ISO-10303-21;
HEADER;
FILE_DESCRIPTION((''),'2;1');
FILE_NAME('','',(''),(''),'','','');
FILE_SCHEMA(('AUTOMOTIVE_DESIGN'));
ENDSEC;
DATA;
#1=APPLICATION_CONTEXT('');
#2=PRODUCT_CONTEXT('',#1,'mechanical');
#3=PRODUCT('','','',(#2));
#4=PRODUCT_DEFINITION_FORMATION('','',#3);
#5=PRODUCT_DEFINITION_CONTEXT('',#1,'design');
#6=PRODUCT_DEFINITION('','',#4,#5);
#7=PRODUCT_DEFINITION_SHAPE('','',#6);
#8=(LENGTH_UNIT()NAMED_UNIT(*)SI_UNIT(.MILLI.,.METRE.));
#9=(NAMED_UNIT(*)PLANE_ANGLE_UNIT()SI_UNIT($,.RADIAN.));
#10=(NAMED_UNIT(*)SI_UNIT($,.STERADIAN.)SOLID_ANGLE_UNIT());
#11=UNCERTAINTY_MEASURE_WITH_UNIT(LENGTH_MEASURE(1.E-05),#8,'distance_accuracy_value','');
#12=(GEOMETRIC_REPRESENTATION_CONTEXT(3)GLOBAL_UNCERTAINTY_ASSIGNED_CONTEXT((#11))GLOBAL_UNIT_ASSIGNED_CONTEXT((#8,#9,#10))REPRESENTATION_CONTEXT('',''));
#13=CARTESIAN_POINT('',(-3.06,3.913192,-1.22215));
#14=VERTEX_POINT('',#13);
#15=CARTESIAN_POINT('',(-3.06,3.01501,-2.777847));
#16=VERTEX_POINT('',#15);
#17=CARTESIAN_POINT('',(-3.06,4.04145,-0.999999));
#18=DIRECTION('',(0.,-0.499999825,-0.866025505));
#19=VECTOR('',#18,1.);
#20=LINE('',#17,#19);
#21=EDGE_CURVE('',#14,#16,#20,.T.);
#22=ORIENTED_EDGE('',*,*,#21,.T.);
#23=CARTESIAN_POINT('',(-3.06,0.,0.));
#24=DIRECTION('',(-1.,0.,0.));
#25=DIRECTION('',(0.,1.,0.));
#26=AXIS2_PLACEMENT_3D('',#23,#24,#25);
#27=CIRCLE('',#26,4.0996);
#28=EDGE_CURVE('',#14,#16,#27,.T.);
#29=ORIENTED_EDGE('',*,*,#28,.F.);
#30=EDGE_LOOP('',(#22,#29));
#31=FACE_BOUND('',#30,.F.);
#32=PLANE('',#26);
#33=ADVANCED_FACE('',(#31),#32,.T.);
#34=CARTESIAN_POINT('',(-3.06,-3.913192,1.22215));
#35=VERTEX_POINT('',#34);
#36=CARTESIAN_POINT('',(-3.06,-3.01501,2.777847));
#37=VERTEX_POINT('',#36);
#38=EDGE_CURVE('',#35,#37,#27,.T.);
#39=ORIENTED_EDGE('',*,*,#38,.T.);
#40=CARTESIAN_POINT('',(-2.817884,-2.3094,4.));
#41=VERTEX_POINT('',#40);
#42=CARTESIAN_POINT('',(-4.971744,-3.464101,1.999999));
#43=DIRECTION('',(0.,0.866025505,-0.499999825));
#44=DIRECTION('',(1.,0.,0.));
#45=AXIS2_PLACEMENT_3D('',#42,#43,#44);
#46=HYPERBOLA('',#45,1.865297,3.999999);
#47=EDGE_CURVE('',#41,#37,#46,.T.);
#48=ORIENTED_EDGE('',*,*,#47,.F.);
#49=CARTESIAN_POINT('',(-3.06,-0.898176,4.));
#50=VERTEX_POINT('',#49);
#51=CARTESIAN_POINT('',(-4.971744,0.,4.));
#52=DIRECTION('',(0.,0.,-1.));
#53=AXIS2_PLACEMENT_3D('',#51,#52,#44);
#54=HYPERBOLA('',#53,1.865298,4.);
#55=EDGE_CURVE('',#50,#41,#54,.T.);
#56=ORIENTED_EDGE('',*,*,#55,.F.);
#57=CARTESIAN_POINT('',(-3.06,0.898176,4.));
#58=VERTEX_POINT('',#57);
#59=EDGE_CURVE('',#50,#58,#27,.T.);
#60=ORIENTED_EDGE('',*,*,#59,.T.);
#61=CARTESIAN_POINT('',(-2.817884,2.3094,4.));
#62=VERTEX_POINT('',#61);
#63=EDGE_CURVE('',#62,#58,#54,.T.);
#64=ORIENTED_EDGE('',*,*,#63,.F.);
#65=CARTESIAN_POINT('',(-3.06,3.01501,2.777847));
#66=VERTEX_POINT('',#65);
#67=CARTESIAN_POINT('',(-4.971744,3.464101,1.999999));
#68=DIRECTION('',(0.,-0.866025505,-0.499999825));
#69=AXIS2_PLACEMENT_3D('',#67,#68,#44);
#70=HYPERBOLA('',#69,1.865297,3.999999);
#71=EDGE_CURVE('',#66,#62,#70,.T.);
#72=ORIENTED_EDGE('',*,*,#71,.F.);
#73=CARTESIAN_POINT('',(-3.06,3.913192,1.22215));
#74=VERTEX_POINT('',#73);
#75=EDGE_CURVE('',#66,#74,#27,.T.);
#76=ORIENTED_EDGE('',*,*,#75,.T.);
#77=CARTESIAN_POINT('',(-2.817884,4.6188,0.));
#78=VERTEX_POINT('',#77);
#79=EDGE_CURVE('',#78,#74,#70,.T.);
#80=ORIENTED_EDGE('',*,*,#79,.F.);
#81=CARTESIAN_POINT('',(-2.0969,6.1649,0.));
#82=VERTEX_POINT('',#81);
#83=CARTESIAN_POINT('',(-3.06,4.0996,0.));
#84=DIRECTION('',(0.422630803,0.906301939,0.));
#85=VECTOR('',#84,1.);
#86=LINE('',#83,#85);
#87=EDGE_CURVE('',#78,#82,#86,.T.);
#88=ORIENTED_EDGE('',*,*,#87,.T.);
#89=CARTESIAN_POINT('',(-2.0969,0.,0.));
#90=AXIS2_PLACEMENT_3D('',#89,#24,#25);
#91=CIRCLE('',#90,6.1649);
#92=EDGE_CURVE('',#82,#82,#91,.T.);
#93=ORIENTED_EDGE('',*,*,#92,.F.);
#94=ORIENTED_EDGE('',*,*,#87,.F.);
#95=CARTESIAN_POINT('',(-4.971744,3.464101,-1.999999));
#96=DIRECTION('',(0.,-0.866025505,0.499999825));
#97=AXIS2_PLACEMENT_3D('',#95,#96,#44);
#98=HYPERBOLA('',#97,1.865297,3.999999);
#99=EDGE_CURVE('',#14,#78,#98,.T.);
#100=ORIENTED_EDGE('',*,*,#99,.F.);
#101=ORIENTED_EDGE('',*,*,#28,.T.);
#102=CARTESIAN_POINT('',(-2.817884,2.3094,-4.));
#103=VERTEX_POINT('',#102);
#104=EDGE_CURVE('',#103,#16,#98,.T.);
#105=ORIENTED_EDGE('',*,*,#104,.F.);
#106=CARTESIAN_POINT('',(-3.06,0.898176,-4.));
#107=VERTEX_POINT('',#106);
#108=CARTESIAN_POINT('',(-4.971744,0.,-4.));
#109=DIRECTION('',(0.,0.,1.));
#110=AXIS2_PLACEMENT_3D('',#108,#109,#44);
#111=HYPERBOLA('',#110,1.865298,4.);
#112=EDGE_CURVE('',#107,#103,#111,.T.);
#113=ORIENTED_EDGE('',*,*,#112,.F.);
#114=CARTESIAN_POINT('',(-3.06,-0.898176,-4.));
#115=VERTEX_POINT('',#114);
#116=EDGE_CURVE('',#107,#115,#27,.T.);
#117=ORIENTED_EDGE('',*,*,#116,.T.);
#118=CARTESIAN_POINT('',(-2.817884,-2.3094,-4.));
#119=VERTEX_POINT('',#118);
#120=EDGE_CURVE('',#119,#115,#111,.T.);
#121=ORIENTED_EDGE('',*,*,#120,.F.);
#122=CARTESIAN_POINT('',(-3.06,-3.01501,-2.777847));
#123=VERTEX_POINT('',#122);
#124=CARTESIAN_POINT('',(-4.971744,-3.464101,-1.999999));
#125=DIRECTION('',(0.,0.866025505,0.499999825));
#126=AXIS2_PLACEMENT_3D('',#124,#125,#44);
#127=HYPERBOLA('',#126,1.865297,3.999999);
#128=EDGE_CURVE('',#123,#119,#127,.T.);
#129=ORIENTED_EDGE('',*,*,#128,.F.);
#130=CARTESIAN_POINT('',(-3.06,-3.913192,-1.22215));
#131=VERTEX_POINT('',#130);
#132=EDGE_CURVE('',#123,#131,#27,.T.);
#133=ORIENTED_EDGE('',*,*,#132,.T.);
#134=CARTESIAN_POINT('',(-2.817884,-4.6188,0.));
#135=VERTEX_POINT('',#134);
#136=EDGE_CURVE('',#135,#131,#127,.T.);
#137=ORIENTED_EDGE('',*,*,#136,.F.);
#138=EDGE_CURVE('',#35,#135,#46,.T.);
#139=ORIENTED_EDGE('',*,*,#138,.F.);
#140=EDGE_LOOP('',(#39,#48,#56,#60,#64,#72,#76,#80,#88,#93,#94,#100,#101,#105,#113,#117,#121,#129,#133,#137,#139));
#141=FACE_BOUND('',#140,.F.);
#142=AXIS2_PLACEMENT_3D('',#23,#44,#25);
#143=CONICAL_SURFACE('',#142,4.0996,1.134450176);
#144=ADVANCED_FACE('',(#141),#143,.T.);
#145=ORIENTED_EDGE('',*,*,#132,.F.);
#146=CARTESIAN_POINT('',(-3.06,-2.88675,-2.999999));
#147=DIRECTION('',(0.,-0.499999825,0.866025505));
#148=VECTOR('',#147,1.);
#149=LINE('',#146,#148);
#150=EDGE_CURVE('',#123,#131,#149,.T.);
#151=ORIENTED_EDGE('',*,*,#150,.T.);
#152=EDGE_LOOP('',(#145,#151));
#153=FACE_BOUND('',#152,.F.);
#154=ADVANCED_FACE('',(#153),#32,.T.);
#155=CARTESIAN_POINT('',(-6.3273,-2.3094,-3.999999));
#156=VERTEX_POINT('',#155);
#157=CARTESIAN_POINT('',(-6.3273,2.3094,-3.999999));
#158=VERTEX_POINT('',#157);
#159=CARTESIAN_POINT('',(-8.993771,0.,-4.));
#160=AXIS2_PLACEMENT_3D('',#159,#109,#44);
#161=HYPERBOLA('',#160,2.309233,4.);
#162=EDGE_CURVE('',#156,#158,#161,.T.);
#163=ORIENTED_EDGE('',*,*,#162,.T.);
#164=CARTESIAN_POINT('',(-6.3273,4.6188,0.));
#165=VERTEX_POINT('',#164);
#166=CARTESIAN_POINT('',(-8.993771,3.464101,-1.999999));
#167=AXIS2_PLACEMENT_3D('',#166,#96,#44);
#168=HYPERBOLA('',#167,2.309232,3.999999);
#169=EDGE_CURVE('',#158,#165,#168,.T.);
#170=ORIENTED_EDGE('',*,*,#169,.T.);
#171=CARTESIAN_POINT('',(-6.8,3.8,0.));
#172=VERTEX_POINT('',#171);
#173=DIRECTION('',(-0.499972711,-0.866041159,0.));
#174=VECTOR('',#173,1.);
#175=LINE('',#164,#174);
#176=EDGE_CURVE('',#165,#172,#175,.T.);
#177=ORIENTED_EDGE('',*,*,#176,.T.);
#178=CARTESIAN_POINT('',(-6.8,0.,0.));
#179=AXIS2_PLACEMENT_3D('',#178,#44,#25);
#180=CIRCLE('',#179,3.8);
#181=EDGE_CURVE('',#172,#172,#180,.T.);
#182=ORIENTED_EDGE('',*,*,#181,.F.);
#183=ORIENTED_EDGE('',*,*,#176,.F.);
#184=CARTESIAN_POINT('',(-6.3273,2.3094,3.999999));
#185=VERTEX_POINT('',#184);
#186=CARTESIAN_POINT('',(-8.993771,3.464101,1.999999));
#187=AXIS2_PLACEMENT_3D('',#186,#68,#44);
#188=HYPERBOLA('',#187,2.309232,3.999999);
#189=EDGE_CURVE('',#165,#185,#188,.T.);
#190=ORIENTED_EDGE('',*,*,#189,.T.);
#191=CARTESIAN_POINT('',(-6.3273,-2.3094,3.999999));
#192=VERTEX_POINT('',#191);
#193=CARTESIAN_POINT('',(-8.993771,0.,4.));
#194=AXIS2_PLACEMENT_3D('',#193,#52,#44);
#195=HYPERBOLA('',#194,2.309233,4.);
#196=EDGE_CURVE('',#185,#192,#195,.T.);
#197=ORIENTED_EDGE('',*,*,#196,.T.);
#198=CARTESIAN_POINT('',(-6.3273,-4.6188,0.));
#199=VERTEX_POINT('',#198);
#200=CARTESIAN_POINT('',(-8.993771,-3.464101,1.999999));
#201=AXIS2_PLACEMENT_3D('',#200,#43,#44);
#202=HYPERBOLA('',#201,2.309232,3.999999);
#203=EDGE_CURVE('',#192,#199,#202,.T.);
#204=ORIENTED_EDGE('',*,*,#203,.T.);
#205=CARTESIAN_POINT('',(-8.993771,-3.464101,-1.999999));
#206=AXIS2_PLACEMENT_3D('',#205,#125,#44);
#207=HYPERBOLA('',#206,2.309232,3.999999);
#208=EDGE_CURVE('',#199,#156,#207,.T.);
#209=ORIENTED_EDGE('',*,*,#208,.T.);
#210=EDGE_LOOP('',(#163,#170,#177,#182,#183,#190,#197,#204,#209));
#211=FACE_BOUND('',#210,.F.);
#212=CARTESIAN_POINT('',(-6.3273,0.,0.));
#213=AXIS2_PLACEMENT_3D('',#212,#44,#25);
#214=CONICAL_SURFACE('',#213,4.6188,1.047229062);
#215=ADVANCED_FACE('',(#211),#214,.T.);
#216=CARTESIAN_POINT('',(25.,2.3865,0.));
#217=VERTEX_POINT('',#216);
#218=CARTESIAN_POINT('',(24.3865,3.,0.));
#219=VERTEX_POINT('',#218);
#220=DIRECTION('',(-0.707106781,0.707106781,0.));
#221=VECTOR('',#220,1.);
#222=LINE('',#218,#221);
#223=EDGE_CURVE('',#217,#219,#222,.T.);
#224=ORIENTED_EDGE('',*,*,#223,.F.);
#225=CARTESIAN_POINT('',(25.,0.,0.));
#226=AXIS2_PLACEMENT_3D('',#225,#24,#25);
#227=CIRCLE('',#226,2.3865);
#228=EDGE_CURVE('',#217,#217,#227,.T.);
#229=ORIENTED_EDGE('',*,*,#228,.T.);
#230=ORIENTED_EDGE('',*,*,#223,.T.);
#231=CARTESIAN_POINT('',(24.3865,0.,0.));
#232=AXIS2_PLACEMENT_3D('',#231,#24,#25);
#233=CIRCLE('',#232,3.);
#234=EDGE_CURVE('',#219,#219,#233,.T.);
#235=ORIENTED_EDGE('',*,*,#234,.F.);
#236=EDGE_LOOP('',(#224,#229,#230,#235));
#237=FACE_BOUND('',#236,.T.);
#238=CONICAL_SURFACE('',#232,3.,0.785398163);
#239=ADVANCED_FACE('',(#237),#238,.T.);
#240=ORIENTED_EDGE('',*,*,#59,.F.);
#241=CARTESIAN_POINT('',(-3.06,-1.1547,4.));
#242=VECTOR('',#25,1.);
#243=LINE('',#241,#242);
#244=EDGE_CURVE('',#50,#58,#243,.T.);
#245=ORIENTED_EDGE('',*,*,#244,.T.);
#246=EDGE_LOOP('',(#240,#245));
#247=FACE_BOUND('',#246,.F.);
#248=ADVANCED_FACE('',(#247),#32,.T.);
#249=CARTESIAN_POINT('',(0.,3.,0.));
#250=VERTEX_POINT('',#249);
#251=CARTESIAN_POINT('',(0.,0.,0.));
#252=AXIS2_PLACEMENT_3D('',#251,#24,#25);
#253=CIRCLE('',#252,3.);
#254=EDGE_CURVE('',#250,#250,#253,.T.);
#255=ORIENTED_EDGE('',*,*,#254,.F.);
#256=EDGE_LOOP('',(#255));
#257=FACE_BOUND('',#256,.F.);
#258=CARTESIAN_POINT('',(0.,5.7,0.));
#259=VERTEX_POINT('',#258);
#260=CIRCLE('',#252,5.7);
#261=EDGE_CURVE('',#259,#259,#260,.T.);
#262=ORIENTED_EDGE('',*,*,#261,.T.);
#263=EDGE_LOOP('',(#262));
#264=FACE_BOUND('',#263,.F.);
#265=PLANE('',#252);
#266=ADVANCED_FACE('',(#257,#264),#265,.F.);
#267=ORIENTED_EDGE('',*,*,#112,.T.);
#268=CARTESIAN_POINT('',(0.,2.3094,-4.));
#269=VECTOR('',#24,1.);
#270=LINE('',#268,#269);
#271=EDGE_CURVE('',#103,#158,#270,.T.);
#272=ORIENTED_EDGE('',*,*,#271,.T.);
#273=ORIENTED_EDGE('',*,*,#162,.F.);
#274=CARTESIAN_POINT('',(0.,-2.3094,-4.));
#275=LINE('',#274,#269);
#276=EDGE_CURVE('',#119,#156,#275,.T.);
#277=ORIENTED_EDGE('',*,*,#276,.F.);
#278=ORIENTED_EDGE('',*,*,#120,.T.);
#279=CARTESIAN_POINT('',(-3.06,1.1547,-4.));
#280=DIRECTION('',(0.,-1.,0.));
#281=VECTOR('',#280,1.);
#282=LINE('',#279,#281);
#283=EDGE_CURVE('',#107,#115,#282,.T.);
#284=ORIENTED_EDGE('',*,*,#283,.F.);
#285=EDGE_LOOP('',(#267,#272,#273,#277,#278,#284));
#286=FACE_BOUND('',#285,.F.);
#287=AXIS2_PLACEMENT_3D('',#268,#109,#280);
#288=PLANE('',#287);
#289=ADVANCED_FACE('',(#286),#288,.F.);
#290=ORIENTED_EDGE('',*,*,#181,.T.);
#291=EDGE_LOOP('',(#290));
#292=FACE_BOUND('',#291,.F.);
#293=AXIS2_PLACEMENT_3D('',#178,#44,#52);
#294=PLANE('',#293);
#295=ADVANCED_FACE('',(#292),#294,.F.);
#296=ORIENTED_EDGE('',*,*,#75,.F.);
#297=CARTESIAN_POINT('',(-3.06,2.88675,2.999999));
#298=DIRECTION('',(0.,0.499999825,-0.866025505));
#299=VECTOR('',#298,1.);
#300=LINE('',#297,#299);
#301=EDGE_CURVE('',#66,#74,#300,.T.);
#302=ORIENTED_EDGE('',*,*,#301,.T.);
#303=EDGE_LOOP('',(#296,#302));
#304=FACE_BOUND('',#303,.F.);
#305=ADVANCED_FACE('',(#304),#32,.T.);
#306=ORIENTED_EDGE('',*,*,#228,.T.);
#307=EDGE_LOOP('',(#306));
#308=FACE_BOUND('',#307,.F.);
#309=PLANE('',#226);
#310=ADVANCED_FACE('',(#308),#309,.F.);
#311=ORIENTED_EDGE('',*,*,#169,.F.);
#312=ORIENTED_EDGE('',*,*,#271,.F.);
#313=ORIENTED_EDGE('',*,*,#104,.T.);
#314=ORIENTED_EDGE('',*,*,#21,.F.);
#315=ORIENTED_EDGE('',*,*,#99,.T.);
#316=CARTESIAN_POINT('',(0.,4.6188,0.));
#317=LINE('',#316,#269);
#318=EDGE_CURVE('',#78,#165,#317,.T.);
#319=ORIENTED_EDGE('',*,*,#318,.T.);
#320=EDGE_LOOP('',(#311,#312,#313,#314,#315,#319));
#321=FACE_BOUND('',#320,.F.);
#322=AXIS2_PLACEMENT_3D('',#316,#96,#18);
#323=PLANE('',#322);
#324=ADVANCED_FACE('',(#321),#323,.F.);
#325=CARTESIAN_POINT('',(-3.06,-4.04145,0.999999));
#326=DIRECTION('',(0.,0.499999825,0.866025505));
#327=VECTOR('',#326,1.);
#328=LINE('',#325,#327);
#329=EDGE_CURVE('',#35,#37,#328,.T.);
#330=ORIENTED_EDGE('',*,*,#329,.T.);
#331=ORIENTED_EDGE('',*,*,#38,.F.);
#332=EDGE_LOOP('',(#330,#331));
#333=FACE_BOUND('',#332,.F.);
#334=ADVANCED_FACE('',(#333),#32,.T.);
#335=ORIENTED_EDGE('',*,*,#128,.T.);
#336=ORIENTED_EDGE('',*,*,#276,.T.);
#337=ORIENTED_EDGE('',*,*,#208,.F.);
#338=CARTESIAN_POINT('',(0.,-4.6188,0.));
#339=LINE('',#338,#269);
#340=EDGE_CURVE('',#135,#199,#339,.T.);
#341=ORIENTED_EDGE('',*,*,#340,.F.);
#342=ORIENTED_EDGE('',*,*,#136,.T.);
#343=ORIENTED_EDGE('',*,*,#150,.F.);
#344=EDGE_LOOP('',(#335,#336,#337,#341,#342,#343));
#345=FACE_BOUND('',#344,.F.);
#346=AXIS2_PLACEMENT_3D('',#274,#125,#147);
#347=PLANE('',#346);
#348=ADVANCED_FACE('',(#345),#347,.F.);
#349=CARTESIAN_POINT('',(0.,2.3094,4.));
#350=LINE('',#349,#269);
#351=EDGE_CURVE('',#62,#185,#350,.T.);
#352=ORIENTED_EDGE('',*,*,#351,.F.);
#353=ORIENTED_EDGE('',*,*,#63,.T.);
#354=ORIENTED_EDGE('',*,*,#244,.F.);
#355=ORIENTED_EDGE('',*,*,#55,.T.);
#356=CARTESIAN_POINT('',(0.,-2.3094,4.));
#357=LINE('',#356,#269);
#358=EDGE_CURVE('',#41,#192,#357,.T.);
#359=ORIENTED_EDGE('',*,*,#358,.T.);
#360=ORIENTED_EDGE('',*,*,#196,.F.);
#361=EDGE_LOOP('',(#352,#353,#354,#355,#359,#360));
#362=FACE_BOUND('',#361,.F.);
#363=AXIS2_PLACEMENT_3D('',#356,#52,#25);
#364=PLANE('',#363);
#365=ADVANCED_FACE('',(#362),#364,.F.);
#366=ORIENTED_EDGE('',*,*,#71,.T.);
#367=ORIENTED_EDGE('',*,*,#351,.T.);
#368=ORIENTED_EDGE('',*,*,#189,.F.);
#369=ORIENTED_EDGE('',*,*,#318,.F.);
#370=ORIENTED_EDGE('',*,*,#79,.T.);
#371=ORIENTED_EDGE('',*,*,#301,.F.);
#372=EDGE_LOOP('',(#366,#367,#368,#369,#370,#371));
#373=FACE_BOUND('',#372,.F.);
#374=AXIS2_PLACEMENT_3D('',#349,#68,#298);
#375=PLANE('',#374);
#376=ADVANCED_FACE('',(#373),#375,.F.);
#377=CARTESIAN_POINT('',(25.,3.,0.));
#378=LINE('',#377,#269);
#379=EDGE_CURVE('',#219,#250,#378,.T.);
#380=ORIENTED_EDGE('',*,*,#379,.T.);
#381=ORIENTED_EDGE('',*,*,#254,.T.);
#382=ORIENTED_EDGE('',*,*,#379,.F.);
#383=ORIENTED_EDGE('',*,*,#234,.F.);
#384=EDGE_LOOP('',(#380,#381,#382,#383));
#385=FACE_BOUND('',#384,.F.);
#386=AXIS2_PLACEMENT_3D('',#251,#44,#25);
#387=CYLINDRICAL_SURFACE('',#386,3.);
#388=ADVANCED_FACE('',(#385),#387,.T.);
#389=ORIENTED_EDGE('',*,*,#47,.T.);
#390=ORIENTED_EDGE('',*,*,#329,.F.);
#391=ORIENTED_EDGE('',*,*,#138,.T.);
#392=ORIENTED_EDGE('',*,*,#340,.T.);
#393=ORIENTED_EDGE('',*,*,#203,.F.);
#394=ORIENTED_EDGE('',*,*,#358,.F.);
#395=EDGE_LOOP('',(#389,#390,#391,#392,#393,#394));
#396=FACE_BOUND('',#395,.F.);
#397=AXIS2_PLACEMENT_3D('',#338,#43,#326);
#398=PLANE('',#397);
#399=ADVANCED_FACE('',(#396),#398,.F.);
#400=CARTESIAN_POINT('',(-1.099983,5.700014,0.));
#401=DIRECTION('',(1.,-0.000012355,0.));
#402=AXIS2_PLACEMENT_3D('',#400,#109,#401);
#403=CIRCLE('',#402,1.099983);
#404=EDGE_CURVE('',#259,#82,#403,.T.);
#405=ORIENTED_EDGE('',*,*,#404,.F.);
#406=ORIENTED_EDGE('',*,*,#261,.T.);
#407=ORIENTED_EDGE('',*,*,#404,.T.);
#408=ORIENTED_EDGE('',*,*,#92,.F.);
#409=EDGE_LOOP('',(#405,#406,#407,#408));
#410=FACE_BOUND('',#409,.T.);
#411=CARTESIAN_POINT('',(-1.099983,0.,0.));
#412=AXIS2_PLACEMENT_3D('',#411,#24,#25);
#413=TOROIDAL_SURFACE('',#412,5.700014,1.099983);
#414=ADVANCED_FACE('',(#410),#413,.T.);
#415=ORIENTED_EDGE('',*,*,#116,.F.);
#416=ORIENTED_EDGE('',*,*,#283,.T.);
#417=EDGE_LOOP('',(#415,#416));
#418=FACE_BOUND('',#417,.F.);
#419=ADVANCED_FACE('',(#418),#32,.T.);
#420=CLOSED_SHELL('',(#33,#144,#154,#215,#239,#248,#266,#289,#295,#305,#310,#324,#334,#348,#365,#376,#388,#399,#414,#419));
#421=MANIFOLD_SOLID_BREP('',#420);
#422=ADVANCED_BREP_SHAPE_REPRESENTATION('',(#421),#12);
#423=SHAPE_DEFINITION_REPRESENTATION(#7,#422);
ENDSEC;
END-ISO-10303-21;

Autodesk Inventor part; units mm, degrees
ref_plane "YZ Plane" through (0, 0, 0) normal (1, 0, 0) x (0, 1, 0)
ref_plane "XZ Plane" through (0, 0, 0) normal (0, 1, 0) x (-1, 0, 0)
sketch "Sketch1" plane through (0, 0, 0) normal (0, 0, 1) x (1, 0, 0)
  line L0 (-3.06, 0) -> (-3.06, 4.0996)
  line L1 (0, 5.7) -> (0, 3)
  line L2 (7, 3) -> (25, 3)
  line L3 (25, 3) -> (25, 0)
  line L4 (25, 0) -> (-3.06, 0)
  arc A0 (0, 5.7) -> (-2.0969, 6.1649) centre (-1.1, 5.7) ccw
  line L5 (0, -1.4013) -> (0, 8.4076) projected
  line L6 (-9.672, 0) -> (36.612, 0) projected
  line L7 (0, 3) -> (0.0001, 3)
  line L8 (0.0001, 3) -> (0.0001, 3)
  line L9 (0.0001, 3) -> (6.3865, 3)
  line L10 (6.3865, 3) -> (7, 3)
  line L11 (-3.06, 4.0996) -> (-2.0969, 6.1649)
  line L12 (0.0001, 3) -> (7, 3) construction
  line L13 (7, 3) -> (7, 0) construction
  dimension "d0" = 1.1
  dimension "d1" = 25
  dimension "d2" = 18
  dimension "d3" = 13.6
  dimension "d4" = 6
  dimension "d5" = 3.06
  dimension "d15" = 6
  dimension "d16" = 6
  dimension "d17" = 0.0001
  dimension "d18" = 0.6135
  dimension "d19" = 25
revolve "Body" add sketch "Sketch1" angle 360 about axis through (25, 0, 0) along (-1, 0, 0)
sketch "Sketch2" plane through (0, 0, 0) normal (1, 0, 0) x (0, 0, -1)
  line L0 (4, 2.3094) -> (4, -2.3094)
  line L1 (4, -2.3094) -> (0, -4.6188)
  line L2 (0, -4.6188) -> (-4, -2.3094)
  line L3 (-4, -2.3094) -> (-4, 2.3094)
  line L4 (-4, 2.3094) -> (0, 4.6188)
  line L5 (0, 4.6188) -> (4, 2.3094)
  point P0 (0, 0)
  point P1 (0, 0)
  dimension "d23" = 8
extrude "Head" add sketch "Sketch2" against normal blind 6.8
sketch "Sketch3" plane through (0, 0, 0) normal (0, 0, 1) x (1, 0, 0)
  line L0 (-6.8, 3.8) -> (-6.8, 4.6188)
  line L1 (-6.8, 4.6188) -> (-6.3273, 4.6188)
  line L2 (-6.3273, 4.6188) -> (-6.8, 3.8)
  line L3 (-7.5964, 0) -> (-2.0215, 0) projected
  line L4 (-6.8, 4.6188) -> (-6.8, 2.3094) projected
  line L5 (-2.8179, 4.6188) -> (-6.8, 4.6188) projected
  point P0 (-6.8, 2.3094)
  dimension "d8" = 30
  dimension "d22" = 7.6
revolve "Chamfer1" cut sketch "Sketch3" angle 360 about axis through (-10, 0, 0) along (1, 0, 0)
thread "Thread" size "M6x1" class "6g" standard "ISO Metric profile" length 18
chamfer "Chamfer2" distance 0.6135 distance2 0.6135 1 edges at (25, -3, 0) measured on face at (25, -0.9709, -0.2393)
ref_plane "Work Plane1" through (10.95, 0, 0) normal (0, 0, -1) x (1, 0, 0)
equation "\"d0\" = PHH"
equation "\"d1\" = NLG"
equation "\"d2\" = GEL"
equation "\"d3\" = LADI"
equation "\"d4\" = GD"
equation "\"d5\" = 0.45 * KOH"
equation "\"d15\" = SD2"
equation "\"d16\" = BDM"
equation "\"d18\" = GAL"
equation "\"d19\" = KEWI"
equation "\"d23\" = SW"
equation "\"d6\" = KOH"
equation "\"d8\" = ANG1"
equation "\"d22\" = SW0"
equation "\"d10\" = GEL"
equation "\"d13\" = -0.5 * SPD + 0.5 * GD"
equation "\"d14\" = GUL"
equation "\"NLG\" = 25"
equation "\"GD\" = NND"
equation "\"BDM\" = NND"
equation "\"KOH\" = 6.8"
equation "\"GEL\" = 18"
equation "\"LADI\" = 13.6"
equation "\"SW\" = 8"
equation "\"PHH\" = RR"
equation "\"SW0\" = 7.6"
equation "\"SPD\" = NND - 1.2269 * PTC"
equation "\"SD2\" = NND"
equation "\"SD\" = 0"
equation "\"ANG1\" = 30deg"
equation "\"KEWI\" = 25deg"
equation "\"GAL\" = 0.61345 * PTC"
equation "\"GUL\" = 0.61345 * PTC"
equation "\"PTC\" = 1"
equation "\"THREADDIA\" = 6"
equation "\"E0\" = 1.155 * SW"
equation "\"TOA\" = 30deg"
equation "\"NND\" = 6"
equation "\"GD1\" = THREADDIA - 1.2269 * PTC"
equation "\"SDH\" = SW"
equation "\"KOH1\" = 2.9"
equation "\"RR\" = 1.1"
properties part number "ISO 4162 - M6 x 30" material "Stainless Steel"
